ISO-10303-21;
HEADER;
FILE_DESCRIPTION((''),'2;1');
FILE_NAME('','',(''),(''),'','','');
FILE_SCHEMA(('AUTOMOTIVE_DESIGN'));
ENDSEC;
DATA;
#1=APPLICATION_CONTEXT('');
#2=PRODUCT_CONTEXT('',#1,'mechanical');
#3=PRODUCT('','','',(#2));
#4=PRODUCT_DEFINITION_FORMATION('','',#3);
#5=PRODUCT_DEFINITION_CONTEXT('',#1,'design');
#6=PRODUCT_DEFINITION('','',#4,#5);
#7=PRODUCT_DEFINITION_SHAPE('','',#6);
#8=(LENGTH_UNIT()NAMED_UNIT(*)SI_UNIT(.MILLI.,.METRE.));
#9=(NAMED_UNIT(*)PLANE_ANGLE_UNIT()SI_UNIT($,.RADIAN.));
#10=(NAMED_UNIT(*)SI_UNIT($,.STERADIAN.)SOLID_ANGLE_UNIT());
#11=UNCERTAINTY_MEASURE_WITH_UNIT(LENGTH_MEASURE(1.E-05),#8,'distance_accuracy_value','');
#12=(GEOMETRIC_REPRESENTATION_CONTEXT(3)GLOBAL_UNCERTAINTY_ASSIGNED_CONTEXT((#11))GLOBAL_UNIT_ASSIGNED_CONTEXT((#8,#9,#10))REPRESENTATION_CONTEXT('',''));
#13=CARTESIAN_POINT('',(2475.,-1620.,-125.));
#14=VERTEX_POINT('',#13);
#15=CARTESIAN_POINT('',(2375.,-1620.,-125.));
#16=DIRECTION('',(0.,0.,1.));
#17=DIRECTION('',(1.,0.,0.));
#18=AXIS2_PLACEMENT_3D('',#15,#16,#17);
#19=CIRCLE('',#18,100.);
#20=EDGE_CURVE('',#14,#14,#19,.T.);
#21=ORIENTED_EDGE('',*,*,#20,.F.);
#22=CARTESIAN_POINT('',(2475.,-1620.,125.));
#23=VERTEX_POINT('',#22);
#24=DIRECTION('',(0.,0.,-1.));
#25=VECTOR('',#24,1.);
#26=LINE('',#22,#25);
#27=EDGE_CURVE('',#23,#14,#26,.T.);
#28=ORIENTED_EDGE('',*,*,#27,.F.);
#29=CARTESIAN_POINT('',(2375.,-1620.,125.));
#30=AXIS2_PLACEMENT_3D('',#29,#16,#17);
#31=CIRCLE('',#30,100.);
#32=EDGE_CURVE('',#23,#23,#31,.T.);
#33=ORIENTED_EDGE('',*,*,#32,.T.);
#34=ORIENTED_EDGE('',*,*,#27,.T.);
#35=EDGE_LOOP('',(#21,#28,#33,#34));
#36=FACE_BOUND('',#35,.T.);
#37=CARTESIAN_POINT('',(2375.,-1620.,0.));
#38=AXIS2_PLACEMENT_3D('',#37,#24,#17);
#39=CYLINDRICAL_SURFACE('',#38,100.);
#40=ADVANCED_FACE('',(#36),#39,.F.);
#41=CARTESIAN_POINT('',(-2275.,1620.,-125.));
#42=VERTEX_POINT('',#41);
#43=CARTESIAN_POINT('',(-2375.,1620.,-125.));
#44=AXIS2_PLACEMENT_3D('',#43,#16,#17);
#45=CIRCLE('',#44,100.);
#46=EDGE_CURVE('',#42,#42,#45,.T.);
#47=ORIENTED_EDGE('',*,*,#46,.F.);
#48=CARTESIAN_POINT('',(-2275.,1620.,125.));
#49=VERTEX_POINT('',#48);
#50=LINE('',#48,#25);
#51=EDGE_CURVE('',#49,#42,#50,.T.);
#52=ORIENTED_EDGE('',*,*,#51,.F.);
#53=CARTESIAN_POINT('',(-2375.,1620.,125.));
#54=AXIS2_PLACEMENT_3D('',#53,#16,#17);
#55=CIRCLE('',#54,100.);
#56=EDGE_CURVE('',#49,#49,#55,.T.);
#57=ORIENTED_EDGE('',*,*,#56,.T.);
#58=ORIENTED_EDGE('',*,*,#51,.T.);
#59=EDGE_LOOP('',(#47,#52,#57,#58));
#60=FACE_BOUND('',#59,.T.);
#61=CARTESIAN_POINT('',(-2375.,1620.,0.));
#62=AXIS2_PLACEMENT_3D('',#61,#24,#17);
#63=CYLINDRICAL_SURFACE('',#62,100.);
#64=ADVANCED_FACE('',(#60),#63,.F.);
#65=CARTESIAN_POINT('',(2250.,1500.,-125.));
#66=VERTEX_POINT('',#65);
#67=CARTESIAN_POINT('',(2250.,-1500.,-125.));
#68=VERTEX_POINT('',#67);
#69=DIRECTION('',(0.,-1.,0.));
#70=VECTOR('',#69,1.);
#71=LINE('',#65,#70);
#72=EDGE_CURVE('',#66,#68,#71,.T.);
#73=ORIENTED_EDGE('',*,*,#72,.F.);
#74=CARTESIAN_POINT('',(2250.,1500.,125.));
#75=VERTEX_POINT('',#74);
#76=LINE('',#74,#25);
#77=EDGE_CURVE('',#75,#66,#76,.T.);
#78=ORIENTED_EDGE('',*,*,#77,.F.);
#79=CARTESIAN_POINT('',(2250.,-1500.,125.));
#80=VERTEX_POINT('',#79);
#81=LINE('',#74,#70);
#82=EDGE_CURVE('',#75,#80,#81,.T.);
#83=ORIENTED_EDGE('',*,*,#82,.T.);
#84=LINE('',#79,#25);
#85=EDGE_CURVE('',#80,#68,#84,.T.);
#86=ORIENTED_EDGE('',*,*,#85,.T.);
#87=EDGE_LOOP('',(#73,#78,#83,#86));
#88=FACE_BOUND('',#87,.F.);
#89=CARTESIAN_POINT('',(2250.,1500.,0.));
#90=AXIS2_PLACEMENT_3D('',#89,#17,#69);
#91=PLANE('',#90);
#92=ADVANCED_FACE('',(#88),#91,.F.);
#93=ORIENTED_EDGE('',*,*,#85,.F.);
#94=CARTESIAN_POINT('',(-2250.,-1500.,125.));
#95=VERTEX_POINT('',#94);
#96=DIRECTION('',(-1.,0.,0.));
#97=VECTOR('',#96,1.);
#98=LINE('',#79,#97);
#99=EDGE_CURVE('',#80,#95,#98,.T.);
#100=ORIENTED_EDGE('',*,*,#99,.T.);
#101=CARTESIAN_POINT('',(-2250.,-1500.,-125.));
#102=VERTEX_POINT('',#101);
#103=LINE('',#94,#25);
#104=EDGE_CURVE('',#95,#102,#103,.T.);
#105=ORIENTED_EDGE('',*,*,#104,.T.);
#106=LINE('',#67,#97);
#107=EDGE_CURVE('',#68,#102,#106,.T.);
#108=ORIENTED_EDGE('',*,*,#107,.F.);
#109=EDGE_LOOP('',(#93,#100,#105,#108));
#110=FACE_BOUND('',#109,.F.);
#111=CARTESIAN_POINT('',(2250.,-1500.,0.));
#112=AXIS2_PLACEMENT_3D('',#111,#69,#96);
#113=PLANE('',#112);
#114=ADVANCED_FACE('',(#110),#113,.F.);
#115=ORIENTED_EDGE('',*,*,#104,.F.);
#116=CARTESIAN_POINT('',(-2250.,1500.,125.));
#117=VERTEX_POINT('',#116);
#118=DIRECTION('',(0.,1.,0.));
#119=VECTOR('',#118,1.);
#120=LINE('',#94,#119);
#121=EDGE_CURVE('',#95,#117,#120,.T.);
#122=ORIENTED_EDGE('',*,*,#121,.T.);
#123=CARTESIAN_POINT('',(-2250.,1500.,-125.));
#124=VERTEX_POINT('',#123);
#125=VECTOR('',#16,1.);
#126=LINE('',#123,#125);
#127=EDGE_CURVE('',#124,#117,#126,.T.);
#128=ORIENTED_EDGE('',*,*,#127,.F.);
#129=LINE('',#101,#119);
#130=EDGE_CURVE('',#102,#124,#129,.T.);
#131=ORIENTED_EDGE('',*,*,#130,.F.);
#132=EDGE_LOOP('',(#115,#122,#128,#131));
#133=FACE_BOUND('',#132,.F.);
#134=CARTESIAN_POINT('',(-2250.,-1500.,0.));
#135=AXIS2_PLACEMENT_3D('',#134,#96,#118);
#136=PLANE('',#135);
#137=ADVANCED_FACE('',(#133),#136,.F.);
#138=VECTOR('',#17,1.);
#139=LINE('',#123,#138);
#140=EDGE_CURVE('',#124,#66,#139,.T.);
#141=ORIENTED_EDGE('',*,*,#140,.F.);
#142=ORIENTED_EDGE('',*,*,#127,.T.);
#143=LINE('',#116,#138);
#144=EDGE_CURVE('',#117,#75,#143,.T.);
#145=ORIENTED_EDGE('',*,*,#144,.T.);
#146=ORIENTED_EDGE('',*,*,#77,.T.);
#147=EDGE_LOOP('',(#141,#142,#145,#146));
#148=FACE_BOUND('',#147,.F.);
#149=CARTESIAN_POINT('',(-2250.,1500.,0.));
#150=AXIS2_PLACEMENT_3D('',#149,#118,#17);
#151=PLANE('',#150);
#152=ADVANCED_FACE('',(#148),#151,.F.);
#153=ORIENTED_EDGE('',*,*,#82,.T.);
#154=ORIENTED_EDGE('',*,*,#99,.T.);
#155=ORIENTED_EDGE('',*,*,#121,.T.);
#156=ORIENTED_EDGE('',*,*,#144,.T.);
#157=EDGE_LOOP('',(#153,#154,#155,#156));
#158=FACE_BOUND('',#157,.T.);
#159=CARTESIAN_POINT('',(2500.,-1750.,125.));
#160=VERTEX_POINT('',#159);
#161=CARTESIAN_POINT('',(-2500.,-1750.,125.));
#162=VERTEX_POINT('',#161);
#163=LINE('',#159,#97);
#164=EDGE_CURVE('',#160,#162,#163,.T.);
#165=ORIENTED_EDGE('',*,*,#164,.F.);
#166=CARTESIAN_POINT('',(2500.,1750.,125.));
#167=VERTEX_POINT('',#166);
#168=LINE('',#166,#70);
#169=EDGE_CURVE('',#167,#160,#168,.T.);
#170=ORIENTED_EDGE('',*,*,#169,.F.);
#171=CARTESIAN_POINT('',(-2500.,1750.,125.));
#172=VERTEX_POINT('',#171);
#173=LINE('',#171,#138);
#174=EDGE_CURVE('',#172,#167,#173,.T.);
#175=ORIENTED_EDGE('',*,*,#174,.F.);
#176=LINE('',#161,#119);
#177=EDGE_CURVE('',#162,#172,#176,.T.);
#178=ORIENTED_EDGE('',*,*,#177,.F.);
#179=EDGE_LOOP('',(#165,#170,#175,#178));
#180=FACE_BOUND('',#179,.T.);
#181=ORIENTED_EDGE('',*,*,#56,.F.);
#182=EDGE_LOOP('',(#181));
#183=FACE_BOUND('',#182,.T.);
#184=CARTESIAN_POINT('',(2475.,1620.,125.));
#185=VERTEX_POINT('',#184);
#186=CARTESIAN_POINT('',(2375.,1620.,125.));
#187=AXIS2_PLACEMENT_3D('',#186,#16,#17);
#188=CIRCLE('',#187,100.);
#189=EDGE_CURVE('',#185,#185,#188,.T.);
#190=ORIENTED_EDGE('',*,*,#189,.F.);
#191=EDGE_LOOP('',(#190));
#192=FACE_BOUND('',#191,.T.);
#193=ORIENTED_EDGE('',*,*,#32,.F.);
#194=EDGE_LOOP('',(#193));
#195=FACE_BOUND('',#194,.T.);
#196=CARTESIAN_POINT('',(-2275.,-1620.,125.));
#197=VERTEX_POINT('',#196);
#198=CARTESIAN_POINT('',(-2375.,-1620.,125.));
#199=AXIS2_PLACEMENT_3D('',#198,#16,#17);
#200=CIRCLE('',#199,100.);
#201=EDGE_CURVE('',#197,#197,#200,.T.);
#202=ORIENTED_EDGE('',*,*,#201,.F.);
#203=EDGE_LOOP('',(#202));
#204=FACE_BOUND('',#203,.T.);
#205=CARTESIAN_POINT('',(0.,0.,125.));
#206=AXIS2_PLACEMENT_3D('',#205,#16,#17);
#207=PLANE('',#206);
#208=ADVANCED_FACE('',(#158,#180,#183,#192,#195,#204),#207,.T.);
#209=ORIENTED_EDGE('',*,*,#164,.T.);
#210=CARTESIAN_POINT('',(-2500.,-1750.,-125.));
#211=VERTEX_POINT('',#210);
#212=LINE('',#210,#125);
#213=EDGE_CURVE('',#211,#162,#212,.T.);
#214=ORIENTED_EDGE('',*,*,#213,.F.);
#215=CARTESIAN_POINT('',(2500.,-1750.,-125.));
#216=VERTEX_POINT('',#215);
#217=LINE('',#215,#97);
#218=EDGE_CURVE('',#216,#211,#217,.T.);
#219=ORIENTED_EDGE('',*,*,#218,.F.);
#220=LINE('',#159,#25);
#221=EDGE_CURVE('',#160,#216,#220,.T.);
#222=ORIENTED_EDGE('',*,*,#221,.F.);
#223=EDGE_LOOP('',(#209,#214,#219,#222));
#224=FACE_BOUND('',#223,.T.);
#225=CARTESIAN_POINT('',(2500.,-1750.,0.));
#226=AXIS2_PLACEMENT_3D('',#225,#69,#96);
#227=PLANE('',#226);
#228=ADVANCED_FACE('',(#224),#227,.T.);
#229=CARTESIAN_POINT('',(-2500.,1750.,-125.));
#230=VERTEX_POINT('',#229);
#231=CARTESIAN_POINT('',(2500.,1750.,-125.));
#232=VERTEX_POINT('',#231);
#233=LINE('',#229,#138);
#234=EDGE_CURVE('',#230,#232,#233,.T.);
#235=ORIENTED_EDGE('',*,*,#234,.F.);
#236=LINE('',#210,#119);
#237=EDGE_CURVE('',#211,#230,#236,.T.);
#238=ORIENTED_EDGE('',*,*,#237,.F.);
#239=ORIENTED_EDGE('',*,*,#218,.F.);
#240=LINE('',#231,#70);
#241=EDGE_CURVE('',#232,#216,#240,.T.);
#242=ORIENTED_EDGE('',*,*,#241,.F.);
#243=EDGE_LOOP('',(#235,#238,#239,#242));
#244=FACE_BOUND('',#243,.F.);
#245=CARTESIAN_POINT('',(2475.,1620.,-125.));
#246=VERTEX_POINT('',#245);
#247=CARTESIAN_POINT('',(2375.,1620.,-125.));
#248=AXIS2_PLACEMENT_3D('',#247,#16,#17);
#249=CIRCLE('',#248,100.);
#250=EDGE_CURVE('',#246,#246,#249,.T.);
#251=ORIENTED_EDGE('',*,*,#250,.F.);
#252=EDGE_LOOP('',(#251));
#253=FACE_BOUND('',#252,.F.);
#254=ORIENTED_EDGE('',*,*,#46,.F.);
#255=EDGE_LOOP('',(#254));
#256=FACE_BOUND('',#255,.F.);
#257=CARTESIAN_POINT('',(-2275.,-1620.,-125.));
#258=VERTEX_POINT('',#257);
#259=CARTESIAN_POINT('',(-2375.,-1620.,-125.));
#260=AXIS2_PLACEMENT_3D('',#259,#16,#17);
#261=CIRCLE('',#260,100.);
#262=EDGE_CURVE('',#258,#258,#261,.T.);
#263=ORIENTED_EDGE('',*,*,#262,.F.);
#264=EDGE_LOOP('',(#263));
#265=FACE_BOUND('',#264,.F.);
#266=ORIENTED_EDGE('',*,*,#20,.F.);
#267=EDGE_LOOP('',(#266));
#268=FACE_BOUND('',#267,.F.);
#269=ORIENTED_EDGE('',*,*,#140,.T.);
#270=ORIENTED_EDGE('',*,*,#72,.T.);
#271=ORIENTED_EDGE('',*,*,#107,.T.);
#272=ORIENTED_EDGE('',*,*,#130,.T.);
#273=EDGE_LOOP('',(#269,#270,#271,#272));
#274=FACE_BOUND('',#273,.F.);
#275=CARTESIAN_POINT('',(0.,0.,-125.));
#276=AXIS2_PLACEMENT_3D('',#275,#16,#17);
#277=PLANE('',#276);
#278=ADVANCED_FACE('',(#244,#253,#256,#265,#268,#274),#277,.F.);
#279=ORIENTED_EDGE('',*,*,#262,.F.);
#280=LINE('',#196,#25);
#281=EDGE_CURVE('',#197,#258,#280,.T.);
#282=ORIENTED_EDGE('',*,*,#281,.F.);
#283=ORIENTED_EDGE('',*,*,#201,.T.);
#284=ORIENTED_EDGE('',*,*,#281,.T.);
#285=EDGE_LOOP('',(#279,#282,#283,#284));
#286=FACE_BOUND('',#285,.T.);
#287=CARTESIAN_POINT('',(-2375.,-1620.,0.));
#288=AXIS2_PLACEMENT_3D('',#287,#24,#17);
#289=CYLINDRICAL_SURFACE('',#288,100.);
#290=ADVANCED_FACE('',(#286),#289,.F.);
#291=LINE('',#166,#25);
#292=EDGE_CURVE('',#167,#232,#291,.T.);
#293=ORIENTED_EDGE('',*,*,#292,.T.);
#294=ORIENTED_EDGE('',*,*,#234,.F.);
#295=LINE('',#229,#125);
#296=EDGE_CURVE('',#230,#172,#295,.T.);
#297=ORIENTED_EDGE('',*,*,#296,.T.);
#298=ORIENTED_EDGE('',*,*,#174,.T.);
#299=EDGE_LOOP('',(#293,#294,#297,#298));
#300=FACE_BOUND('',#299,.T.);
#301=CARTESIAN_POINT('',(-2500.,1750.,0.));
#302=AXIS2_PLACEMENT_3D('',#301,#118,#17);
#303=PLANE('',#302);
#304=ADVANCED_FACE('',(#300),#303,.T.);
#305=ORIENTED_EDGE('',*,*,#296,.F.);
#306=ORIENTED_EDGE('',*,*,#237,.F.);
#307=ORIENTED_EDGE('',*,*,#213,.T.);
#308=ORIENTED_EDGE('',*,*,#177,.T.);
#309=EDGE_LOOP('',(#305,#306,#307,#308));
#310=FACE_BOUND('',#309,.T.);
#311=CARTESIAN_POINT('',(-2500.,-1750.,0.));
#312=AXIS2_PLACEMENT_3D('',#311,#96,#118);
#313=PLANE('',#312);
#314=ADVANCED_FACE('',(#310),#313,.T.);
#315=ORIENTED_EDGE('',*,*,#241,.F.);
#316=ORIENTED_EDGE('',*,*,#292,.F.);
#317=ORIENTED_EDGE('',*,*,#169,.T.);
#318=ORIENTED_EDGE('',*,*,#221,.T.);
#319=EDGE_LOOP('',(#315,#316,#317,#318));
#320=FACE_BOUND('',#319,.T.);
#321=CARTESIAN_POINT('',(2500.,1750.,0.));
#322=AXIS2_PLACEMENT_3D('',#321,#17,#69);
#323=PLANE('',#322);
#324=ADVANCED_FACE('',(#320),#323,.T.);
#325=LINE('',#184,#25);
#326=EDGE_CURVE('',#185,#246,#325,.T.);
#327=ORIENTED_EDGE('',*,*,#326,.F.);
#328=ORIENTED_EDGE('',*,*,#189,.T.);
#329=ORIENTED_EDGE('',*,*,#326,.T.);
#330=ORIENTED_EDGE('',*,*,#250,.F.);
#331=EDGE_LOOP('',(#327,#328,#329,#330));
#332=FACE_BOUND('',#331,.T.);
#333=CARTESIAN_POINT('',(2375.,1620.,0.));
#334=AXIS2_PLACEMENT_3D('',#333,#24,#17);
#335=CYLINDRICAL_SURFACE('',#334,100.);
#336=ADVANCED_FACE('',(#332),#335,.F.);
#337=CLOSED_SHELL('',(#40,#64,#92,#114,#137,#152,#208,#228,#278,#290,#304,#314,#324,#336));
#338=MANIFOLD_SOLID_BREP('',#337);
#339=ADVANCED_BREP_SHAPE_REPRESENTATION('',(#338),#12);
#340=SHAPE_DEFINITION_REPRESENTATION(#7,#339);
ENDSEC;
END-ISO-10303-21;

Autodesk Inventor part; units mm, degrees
sketch "Esboço1" plane through (0, 0, 0) normal (0, 0, 1) x (1, 0, 0)
  line L0 (-2500, 1750) -> (2500, 1750)
  line L1 (2500, 1750) -> (2500, -1750)
  line L2 (2500, -1750) -> (-2500, -1750)
  line L3 (-2500, -1750) -> (-2500, 1750)
  line L4 (-2500, 1750) -> (2500, -1750) construction
  line L5 (2500, 1750) -> (-2500, -1750) construction
  line L6 (-2250, 1500) -> (2250, 1500)
  line L7 (2250, 1500) -> (2250, -1500)
  line L8 (2250, -1500) -> (-2250, -1500)
  line L9 (-2250, -1500) -> (-2250, 1500)
  line L10 (-2250, 1500) -> (2250, -1500) construction
  line L11 (2250, 1500) -> (-2250, -1500) construction
  circle A0 centre (2375, 1620) radius 100
  circle A1 centre (2375, 1620) radius 75
  circle A2 centre (2375, -1620) radius 100
  circle A3 centre (2375, -1620) radius 75
  line L12 (2375, 1620) -> (2375, -1620) construction
  line L13 (2375, -1620) -> (-2375, -1620) construction
  line L14 (2375, 1620) -> (-2375, 1620) construction
  line L15 (-2375, 1620) -> (-2375, -1620) construction
  circle A4 centre (-2375, -1620) radius 100
  circle A5 centre (-2375, -1620) radius 75
  line L16 (-2375, 1620) -> (-2375, -1620) construction
  line L17 (-2375, -1620) -> (-5032.3735, -1620) construction
  circle A6 centre (-2375, 1620) radius 100
  circle A7 centre (-2375, 1620) radius 75
  line L18 (-2375, 4860) -> (-2375, 1620) construction
  line L19 (-2375, 1620) -> (-5788.4963, 1620) construction
  point P0 (0, 0)
  point P1 (0, 0)
  point P2 (0, 0)
  dimension "d0" = 5000
  dimension "d1" = 3500
  dimension "d2" = 250
  dimension "d3" = 250
  dimension "d6" = 200
  dimension "d8" = 125
  dimension "d9" = 120
  dimension "d10" = 25
  dimension "d11" = 200
  dimension "d12" = 25
  dimension "d16" = 125
  dimension "d18" = 120
  dimension "d19" = 200
  dimension "d20" = 25
  dimension "d21" = 200
  dimension "d22" = 25
extrude "Extrusão3" add sketch "Esboço1" along normal mid plane 250 contours L0 L1 L2 L3
properties part number "Mesa_001" material "Madeira (Nogueira)"
